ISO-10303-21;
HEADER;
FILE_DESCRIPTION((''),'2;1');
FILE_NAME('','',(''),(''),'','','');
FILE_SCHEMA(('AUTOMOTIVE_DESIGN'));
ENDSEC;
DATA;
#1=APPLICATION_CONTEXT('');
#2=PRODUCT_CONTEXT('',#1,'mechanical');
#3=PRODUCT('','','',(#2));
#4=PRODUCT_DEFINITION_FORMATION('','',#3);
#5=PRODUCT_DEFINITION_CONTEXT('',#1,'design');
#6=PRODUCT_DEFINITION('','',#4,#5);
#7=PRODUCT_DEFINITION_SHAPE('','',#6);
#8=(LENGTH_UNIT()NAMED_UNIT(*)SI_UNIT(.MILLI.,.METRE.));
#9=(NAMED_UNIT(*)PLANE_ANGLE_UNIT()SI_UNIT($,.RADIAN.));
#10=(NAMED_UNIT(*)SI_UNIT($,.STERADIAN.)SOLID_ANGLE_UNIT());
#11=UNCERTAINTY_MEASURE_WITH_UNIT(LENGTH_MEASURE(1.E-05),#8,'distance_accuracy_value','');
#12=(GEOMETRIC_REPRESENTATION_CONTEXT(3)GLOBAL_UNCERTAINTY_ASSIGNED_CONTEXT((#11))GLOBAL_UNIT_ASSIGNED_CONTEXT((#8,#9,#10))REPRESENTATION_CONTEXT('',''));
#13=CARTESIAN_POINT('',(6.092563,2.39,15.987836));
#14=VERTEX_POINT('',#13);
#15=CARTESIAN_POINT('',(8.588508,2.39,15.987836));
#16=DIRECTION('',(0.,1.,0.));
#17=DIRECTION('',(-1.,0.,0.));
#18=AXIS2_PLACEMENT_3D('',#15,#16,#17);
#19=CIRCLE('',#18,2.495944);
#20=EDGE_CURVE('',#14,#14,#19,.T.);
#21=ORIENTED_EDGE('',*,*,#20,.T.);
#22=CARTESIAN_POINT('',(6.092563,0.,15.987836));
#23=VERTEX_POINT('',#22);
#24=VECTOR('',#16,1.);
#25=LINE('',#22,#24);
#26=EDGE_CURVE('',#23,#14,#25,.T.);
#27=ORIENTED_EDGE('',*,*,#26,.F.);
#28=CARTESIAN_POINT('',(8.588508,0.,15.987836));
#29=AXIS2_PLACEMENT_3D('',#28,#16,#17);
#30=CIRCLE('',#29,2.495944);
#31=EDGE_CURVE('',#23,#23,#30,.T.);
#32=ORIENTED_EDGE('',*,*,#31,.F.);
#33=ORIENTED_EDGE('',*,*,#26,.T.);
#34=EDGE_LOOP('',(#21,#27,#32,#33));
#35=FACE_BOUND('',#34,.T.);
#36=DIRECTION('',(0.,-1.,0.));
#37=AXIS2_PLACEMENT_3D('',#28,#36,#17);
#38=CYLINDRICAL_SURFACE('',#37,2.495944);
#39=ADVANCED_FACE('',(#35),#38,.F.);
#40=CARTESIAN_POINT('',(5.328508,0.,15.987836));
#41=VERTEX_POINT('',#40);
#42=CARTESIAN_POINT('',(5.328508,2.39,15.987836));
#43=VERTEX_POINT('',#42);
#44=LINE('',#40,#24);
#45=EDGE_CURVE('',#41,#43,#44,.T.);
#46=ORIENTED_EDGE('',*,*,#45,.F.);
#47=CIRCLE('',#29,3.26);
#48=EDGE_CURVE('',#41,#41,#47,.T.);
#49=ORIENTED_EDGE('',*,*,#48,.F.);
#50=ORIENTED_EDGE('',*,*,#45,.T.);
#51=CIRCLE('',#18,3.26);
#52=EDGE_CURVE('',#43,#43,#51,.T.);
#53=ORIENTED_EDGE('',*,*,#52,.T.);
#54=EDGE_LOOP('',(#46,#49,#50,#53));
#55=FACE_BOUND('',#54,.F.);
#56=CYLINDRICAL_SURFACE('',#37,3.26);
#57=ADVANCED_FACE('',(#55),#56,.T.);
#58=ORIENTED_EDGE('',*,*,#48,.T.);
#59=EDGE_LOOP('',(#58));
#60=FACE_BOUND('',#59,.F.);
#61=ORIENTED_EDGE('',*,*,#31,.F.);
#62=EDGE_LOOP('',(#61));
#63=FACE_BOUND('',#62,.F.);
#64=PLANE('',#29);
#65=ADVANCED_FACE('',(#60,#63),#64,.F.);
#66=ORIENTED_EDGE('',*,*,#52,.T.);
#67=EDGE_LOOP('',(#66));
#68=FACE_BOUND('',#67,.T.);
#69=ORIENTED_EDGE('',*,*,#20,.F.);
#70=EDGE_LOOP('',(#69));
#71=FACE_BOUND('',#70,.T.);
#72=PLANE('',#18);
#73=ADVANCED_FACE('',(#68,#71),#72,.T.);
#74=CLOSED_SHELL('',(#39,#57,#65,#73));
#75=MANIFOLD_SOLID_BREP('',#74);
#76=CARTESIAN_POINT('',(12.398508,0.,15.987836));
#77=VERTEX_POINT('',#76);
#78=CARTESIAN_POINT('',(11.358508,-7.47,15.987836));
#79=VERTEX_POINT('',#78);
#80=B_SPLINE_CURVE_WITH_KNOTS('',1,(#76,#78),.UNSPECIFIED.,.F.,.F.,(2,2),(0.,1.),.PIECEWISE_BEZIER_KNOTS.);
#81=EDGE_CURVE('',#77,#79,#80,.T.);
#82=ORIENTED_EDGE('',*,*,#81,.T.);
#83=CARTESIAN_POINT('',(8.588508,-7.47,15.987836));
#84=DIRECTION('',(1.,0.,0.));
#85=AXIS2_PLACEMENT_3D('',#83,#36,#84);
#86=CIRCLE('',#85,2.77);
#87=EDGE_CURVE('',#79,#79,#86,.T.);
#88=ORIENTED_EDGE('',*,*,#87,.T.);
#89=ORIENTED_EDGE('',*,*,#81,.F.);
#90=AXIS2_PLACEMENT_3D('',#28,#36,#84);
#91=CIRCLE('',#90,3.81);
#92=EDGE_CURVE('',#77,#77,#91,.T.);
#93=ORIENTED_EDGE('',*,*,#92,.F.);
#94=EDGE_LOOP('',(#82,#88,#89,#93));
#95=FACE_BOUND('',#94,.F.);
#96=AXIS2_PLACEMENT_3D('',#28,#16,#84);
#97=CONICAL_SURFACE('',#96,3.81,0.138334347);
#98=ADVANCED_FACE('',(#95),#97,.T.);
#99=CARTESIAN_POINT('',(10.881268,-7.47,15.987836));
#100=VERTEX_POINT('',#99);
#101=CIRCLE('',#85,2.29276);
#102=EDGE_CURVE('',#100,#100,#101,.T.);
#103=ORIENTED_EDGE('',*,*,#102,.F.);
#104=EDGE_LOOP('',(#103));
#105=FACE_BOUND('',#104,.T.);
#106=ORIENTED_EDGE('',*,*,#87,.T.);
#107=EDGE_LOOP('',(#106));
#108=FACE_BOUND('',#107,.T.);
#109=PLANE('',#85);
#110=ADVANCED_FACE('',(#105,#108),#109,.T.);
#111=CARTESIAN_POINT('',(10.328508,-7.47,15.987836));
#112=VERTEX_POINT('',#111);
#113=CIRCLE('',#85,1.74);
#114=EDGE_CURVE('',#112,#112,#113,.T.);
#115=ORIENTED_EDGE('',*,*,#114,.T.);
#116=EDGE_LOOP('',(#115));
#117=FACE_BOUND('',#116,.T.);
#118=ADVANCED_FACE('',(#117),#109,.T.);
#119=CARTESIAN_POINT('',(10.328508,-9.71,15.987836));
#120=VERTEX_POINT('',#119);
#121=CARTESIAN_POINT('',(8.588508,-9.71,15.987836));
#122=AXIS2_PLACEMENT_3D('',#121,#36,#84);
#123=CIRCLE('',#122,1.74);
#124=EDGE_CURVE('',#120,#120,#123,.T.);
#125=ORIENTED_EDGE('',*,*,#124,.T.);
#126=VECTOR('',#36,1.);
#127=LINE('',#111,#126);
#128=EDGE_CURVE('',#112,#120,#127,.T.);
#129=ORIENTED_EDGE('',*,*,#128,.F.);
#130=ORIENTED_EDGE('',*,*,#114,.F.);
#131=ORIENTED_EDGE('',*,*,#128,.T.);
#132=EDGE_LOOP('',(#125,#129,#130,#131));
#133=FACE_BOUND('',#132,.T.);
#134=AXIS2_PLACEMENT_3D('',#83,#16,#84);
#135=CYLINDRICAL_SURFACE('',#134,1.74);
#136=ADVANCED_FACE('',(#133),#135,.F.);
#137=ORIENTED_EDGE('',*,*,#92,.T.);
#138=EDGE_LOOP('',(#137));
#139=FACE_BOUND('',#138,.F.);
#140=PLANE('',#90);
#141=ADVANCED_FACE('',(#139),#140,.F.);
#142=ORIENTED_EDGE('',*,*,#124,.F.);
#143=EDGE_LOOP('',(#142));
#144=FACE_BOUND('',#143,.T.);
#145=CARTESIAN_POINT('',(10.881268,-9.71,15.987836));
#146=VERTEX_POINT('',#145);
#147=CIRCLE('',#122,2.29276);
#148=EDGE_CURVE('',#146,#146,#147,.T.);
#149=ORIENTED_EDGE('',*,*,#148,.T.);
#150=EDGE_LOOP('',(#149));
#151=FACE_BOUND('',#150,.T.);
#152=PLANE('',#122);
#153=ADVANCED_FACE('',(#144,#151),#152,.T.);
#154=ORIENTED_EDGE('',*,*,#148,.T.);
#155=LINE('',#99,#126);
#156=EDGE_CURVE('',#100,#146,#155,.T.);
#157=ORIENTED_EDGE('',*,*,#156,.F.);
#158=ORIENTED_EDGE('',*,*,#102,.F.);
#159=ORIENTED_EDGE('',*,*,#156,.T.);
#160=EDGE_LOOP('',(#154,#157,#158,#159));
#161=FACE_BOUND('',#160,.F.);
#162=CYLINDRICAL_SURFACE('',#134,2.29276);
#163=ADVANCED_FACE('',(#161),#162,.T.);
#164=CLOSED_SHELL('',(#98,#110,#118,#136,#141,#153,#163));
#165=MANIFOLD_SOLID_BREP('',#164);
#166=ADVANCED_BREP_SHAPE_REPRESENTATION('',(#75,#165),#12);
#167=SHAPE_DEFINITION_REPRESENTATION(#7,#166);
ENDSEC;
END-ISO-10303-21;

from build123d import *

# Parameters (mm, degrees)
F0_R       = 3.81
F1_DEPTH   = 7.47
F1_FACE1_R = 3.81
F2_R       = 2.77
F4_R       = 3.26
F4_R_2     = 2.49594432
F5_DEPTH   = 2.39
F6_R       = 2.2927604411
F6_R_2     = 1.74
F7_DEPTH   = 2.24


with BuildPart() as f1:
    # F0 (on Front) → F1 (new body)
    with BuildSketch(Plane.XZ):
        with Locations((8.5885077715, 15.9878358245)):
            Circle(F0_R)
    extrude(amount=F1_DEPTH)

    # F1_face1 (on face) → F3 section 0
    with BuildSketch(Plane(origin=(8.5885077715, 0, 15.9878358245), x_dir=(1, 0, 0), z_dir=(0, 1, 0))):
        Circle(F1_FACE1_R)
    # F2 (on face) → F3 section 1
    with BuildSketch(Plane.XZ.offset(7.47)):
        with Locations((8.5885077715, 15.9878358245)):
            Circle(F2_R)
    loft(mode=Mode.INTERSECT)

    # F6 (on face) → F7 (join)
    with BuildSketch(Plane.XZ.offset(7.47)):
        with Locations((8.5885077715, 15.9878358245)):
            Circle(F6_R)
        with Locations((8.5885077715, 15.9878358245)):
            Circle(F6_R_2, mode=Mode.SUBTRACT)
    extrude(amount=F7_DEPTH)


with BuildPart() as f5:
    # F4 (on face) → F5 (new body)
    with BuildSketch(Plane(origin=(0, 0, 0), x_dir=(-1, 0, 0), z_dir=(0, 1, 0))):
        with Locations((-8.5885077715, 15.9878358245)):
            Circle(F4_R)
        with Locations((-8.5885077715, 15.9878358245)):
            Circle(F4_R_2, mode=Mode.SUBTRACT)
    extrude(amount=F5_DEPTH)


solid = Compound([f1.part, f5.part])
